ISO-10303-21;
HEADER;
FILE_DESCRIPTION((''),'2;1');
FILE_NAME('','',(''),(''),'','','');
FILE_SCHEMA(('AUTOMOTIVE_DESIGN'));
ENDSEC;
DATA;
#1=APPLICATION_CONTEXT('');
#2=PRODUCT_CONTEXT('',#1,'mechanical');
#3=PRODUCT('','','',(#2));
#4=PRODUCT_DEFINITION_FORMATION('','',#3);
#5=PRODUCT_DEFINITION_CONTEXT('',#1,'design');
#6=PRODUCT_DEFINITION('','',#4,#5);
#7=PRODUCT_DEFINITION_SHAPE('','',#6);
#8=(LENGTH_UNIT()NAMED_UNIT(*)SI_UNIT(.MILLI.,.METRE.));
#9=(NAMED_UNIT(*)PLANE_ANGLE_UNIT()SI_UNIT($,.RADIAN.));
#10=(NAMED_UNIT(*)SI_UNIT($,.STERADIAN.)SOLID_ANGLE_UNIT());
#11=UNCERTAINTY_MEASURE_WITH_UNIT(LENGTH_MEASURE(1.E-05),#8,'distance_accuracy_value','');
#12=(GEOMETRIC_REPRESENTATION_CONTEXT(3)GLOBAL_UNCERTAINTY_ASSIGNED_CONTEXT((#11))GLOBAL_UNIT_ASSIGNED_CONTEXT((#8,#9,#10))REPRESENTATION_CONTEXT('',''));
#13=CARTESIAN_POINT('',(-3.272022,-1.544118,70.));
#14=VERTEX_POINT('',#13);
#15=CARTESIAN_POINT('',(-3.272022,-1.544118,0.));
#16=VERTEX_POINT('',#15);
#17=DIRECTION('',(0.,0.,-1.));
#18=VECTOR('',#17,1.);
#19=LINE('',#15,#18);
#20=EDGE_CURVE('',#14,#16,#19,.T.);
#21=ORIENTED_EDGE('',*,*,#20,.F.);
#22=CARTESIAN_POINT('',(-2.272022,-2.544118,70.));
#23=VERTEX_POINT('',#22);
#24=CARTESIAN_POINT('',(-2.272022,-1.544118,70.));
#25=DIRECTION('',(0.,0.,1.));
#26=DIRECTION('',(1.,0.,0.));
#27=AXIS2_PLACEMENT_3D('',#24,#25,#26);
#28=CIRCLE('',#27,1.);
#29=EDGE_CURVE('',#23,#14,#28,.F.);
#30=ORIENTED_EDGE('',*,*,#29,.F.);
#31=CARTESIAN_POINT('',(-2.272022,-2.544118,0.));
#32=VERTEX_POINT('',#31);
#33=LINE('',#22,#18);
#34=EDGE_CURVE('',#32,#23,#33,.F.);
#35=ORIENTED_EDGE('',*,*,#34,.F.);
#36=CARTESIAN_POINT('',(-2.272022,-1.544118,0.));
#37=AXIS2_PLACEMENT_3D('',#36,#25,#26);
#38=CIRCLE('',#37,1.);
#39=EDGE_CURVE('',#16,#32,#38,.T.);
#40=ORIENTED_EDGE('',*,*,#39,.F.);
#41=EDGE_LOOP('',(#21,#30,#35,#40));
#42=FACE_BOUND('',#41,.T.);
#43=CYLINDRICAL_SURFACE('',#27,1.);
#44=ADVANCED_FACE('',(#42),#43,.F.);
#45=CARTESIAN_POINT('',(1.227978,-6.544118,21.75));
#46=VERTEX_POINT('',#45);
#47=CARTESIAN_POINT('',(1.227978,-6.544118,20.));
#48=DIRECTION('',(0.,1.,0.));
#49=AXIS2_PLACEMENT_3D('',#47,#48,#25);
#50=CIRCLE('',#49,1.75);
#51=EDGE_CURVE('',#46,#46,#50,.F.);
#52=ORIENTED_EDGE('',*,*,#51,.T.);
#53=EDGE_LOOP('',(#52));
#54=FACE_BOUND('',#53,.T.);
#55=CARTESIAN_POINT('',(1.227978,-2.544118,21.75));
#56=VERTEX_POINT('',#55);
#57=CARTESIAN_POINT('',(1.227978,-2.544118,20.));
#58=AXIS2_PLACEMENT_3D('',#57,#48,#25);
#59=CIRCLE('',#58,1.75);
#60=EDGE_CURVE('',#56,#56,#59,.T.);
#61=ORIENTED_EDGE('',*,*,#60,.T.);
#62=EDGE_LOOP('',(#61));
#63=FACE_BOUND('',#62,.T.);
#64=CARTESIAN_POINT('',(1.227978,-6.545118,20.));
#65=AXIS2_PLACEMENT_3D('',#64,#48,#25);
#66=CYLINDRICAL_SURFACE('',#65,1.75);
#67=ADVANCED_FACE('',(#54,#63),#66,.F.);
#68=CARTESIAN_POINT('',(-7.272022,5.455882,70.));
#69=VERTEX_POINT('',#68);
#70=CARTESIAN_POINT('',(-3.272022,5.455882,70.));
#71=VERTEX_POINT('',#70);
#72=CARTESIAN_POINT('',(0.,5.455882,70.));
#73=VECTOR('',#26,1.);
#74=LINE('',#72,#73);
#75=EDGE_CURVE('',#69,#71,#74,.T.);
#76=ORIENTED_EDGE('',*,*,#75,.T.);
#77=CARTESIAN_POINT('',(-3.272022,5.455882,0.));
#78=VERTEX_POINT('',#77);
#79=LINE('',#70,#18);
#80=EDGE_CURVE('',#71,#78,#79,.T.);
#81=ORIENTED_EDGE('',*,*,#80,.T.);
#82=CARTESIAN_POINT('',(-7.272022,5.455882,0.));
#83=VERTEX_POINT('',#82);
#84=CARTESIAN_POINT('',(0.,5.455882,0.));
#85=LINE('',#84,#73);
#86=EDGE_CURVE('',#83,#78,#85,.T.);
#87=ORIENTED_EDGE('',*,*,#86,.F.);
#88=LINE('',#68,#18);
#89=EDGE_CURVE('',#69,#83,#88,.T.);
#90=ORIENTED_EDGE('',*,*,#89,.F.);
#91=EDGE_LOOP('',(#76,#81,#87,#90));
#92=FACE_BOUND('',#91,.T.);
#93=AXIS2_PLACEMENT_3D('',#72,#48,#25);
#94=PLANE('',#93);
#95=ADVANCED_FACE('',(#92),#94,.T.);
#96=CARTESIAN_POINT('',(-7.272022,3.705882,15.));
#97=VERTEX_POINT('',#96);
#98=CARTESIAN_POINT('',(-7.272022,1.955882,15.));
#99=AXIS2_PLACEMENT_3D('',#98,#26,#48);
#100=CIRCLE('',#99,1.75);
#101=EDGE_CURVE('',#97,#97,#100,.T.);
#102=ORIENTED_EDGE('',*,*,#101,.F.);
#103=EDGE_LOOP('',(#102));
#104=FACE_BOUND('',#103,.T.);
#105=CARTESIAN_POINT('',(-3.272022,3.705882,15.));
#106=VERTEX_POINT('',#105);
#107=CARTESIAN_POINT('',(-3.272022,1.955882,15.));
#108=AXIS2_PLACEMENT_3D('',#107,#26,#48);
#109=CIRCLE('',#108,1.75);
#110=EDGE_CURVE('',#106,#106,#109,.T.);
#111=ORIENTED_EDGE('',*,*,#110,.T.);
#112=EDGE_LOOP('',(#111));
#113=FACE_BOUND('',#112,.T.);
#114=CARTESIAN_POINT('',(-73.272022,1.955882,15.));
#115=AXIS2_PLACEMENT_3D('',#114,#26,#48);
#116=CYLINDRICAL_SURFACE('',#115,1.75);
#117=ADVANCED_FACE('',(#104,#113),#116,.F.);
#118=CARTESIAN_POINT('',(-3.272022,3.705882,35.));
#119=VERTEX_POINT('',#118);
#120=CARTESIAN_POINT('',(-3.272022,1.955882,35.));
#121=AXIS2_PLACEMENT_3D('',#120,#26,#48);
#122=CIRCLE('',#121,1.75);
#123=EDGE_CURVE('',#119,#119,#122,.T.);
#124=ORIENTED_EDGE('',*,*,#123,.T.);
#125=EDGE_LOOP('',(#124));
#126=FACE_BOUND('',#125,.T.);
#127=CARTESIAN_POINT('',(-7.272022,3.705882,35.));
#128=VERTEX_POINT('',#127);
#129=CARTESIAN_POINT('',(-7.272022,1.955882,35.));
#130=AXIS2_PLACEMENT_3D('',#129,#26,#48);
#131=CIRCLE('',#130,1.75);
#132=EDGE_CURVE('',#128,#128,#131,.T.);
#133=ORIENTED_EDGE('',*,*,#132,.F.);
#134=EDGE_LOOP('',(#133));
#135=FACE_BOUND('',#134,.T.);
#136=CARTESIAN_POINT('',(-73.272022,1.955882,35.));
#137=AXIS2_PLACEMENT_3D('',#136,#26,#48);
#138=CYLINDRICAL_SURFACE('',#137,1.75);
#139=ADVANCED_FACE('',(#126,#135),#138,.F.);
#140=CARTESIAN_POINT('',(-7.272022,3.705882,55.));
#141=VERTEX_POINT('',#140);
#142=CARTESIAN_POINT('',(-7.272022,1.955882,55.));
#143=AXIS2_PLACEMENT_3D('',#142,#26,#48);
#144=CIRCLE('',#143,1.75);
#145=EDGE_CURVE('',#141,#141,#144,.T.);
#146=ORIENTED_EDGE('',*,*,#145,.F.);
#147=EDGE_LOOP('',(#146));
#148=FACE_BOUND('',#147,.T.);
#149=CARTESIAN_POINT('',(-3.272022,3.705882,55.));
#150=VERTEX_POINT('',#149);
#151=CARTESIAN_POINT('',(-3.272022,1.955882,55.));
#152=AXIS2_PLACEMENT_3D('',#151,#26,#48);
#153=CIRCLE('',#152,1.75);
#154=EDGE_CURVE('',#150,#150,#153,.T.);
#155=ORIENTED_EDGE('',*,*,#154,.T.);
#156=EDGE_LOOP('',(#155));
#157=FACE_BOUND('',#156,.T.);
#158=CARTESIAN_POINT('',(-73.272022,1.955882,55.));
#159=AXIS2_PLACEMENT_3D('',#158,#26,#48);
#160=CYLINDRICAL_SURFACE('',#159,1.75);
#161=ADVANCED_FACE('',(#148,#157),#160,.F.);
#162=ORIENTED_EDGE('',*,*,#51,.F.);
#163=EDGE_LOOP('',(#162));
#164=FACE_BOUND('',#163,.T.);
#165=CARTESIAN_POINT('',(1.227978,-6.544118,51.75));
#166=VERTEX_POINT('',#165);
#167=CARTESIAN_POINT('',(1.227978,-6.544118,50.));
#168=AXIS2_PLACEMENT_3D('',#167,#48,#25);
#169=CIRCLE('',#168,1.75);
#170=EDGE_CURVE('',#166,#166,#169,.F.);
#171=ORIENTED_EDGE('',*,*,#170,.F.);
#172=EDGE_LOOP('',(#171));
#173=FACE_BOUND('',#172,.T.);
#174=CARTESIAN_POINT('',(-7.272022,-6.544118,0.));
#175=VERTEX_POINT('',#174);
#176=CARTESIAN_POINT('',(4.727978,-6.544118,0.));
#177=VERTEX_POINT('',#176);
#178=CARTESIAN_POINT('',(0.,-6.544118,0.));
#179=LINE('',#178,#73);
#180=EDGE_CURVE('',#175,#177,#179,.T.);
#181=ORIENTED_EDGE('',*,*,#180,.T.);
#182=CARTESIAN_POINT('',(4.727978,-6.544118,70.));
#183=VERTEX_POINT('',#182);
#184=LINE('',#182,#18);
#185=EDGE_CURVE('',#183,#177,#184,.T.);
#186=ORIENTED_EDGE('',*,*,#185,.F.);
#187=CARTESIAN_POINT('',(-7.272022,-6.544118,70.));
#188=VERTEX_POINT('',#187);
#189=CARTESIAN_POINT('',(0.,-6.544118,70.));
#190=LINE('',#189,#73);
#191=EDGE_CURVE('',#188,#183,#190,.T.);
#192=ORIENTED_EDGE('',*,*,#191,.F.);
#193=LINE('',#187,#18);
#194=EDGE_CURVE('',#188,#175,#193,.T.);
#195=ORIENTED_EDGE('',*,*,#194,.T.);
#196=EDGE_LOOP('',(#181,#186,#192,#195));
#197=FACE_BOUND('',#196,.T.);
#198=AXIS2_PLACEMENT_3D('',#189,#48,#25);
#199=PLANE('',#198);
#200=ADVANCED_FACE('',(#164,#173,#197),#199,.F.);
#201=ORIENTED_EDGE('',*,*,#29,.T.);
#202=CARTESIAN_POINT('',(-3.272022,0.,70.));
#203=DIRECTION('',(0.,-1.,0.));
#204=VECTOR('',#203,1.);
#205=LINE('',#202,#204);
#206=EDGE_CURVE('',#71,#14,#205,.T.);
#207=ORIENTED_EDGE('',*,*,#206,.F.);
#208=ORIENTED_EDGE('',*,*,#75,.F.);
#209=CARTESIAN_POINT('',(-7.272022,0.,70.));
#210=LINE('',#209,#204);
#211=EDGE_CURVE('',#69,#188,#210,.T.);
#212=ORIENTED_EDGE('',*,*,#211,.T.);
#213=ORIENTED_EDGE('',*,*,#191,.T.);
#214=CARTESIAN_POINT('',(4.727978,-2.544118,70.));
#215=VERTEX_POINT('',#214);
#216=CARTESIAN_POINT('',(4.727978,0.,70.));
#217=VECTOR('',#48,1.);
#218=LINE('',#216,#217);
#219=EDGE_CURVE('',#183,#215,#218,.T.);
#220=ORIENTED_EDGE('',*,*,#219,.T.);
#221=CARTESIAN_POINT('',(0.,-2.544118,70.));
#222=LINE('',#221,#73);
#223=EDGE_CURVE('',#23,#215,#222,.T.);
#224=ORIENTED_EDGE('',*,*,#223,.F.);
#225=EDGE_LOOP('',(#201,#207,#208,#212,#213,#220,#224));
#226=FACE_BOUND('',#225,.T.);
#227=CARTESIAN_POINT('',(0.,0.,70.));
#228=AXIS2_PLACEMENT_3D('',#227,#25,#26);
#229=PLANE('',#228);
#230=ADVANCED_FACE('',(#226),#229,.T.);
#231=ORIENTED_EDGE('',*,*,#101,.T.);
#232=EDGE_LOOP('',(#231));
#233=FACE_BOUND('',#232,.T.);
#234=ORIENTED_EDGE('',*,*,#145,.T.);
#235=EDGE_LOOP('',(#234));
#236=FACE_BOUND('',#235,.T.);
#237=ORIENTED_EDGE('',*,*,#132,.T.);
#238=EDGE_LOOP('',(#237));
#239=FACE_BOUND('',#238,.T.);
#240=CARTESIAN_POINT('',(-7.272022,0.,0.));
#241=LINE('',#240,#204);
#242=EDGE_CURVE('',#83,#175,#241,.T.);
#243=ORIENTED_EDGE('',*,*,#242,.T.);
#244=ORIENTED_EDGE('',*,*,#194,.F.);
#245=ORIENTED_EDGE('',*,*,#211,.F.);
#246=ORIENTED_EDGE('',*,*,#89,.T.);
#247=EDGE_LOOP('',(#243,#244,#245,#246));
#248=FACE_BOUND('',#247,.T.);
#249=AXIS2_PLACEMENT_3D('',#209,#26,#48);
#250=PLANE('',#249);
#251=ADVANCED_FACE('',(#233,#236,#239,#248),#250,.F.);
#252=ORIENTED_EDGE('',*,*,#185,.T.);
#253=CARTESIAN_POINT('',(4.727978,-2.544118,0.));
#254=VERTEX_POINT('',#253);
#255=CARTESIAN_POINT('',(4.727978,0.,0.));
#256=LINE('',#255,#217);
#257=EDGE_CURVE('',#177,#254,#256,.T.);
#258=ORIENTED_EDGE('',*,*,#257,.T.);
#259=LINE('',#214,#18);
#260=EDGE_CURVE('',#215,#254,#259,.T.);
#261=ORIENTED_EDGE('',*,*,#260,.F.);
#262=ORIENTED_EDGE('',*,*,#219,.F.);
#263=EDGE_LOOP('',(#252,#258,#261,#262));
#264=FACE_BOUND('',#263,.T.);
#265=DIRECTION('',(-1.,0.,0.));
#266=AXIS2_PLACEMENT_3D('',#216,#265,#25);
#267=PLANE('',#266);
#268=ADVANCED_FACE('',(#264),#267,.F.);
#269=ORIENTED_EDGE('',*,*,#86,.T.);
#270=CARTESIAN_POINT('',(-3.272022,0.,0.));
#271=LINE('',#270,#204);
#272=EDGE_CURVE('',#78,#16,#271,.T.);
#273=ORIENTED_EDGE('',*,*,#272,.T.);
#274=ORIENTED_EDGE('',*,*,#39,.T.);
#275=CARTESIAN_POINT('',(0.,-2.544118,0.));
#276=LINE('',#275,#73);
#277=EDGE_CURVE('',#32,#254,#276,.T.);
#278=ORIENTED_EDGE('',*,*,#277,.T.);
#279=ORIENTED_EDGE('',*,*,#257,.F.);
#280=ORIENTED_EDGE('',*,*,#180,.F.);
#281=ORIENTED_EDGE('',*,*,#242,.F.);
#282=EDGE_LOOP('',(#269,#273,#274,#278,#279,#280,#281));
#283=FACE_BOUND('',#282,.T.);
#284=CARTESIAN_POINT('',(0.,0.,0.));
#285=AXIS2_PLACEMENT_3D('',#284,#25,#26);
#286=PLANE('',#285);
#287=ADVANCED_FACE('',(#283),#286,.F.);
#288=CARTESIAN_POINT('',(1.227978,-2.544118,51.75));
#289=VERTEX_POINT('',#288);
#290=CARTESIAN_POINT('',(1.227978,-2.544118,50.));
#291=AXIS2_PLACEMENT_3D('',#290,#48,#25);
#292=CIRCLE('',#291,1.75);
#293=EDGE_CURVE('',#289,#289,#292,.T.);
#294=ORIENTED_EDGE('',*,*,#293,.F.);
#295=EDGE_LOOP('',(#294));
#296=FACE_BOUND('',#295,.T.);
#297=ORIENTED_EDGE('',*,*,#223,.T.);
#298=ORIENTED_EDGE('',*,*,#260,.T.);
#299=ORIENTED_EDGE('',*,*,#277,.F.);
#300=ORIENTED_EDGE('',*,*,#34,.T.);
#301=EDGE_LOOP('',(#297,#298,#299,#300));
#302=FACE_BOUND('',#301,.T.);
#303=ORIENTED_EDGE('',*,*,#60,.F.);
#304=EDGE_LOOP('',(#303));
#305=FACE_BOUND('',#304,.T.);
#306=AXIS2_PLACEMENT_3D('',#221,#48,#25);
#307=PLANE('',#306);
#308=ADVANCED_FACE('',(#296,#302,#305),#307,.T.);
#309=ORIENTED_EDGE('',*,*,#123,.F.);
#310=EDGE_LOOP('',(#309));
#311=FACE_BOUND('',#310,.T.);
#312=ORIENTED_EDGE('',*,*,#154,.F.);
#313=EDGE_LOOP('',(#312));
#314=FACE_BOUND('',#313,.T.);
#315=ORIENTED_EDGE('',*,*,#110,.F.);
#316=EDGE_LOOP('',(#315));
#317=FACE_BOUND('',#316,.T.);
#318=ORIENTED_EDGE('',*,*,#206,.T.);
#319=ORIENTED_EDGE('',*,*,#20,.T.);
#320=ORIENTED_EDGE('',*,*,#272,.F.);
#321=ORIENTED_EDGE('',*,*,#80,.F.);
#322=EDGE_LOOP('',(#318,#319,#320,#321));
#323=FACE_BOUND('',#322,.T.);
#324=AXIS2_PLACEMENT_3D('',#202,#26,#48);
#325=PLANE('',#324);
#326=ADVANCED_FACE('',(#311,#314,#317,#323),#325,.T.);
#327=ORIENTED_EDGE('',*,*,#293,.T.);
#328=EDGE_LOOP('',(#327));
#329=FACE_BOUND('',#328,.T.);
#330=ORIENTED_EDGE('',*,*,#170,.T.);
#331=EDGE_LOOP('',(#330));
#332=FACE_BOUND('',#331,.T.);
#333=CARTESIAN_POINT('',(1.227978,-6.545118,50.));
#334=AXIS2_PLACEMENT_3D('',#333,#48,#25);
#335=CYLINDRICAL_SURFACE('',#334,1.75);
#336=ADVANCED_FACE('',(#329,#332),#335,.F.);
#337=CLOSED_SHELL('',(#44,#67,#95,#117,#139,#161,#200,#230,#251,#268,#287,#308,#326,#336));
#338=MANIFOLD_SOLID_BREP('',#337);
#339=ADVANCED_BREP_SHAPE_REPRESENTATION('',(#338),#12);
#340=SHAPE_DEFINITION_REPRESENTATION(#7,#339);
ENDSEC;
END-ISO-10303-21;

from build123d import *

# Parameters (mm, degrees)
SKETCH1_W           = 4
SKETCH1_H           = 8
SKETCH1_H_2         = 4
SKETCH1_W_2         = 8
BOSS_EXTRUDE1_DEPTH = 70
FILLET1_R           = 1
SKETCH3_R           = 1.75
CUT_EXTRUDE2_DEPTH  = 70
CUT_EXTRUDE3_REACH  = 72.83
SKETCH2_R           = 1.75


with BuildPart() as part:
    # Sketch1 → Boss-Extrude1 (new body)
    with BuildSketch(Plane.XY):
        with Locations((-5.272021997, 1.455882353)):
            Rectangle(SKETCH1_W, SKETCH1_H)
        with Locations((-5.272021997, -4.544117647)):
            Rectangle(SKETCH1_W, SKETCH1_H_2)
        with Locations((0.727978003, -4.544117647)):
            Rectangle(SKETCH1_W_2, SKETCH1_H_2)
    extrude(amount=BOSS_EXTRUDE1_DEPTH)

    # Fillet1
    fillet1_edges = [part.edges().sort_by_distance(p)[0] for p in [
        (-3.272021997, -2.544117647, 35),
    ]]
    fillet(fillet1_edges, radius=FILLET1_R)

    # Sketch3 → Cut-Extrude2 (cut)
    with BuildSketch(Plane(origin=(-3.272021997, 0, 0), x_dir=(0, 0, -1), z_dir=(1, 0, 0))):
        with Locations(Location((-55, 1.955882353, 0), (0, 0, 90))):
            Circle(SKETCH3_R)
        with Locations(Location((-15, 1.955882353, 0), (0, 0, 90))):
            Circle(SKETCH3_R)
        with Locations(Location((-35, 1.955882353, 0), (0, 0, 90))):
            Circle(SKETCH3_R)
    extrude(amount=-CUT_EXTRUDE2_DEPTH, mode=Mode.SUBTRACT)

    # Sketch2 → Cut-Extrude3 (cut, up to next)
    with BuildSketch(Plane(origin=(0, -2.544117647, 0), x_dir=(1, 0, 0), z_dir=(0, 1, 0)), mode=Mode.PRIVATE) as cut_extrude3_sk1:
        with Locations(Location((1.227978003, -50, 0), (0, 0, 270))):
            Circle(SKETCH2_R)
    cut_extrude3_tool1 = extrude(cut_extrude3_sk1.sketch, amount=-CUT_EXTRUDE3_REACH, mode=Mode.PRIVATE) & part.part
    # Sketch2 → Cut-Extrude3 (cut, up to next)
    with BuildSketch(Plane(origin=(0, -2.544117647, 0), x_dir=(1, 0, 0), z_dir=(0, 1, 0)), mode=Mode.PRIVATE) as cut_extrude3_sk2:
        with Locations(Location((1.227978003, -20, 0), (0, 0, 270))):
            Circle(SKETCH2_R)
    cut_extrude3_tool2 = extrude(cut_extrude3_sk2.sketch, amount=-CUT_EXTRUDE3_REACH, mode=Mode.PRIVATE) & part.part
    add(cut_extrude3_tool1.solids().sort_by_distance((1.227978, -2.544118, 50))[0], mode=Mode.SUBTRACT)
    add(cut_extrude3_tool2.solids().sort_by_distance((1.227978, -2.544118, 20))[0], mode=Mode.SUBTRACT)


solid = part.part
